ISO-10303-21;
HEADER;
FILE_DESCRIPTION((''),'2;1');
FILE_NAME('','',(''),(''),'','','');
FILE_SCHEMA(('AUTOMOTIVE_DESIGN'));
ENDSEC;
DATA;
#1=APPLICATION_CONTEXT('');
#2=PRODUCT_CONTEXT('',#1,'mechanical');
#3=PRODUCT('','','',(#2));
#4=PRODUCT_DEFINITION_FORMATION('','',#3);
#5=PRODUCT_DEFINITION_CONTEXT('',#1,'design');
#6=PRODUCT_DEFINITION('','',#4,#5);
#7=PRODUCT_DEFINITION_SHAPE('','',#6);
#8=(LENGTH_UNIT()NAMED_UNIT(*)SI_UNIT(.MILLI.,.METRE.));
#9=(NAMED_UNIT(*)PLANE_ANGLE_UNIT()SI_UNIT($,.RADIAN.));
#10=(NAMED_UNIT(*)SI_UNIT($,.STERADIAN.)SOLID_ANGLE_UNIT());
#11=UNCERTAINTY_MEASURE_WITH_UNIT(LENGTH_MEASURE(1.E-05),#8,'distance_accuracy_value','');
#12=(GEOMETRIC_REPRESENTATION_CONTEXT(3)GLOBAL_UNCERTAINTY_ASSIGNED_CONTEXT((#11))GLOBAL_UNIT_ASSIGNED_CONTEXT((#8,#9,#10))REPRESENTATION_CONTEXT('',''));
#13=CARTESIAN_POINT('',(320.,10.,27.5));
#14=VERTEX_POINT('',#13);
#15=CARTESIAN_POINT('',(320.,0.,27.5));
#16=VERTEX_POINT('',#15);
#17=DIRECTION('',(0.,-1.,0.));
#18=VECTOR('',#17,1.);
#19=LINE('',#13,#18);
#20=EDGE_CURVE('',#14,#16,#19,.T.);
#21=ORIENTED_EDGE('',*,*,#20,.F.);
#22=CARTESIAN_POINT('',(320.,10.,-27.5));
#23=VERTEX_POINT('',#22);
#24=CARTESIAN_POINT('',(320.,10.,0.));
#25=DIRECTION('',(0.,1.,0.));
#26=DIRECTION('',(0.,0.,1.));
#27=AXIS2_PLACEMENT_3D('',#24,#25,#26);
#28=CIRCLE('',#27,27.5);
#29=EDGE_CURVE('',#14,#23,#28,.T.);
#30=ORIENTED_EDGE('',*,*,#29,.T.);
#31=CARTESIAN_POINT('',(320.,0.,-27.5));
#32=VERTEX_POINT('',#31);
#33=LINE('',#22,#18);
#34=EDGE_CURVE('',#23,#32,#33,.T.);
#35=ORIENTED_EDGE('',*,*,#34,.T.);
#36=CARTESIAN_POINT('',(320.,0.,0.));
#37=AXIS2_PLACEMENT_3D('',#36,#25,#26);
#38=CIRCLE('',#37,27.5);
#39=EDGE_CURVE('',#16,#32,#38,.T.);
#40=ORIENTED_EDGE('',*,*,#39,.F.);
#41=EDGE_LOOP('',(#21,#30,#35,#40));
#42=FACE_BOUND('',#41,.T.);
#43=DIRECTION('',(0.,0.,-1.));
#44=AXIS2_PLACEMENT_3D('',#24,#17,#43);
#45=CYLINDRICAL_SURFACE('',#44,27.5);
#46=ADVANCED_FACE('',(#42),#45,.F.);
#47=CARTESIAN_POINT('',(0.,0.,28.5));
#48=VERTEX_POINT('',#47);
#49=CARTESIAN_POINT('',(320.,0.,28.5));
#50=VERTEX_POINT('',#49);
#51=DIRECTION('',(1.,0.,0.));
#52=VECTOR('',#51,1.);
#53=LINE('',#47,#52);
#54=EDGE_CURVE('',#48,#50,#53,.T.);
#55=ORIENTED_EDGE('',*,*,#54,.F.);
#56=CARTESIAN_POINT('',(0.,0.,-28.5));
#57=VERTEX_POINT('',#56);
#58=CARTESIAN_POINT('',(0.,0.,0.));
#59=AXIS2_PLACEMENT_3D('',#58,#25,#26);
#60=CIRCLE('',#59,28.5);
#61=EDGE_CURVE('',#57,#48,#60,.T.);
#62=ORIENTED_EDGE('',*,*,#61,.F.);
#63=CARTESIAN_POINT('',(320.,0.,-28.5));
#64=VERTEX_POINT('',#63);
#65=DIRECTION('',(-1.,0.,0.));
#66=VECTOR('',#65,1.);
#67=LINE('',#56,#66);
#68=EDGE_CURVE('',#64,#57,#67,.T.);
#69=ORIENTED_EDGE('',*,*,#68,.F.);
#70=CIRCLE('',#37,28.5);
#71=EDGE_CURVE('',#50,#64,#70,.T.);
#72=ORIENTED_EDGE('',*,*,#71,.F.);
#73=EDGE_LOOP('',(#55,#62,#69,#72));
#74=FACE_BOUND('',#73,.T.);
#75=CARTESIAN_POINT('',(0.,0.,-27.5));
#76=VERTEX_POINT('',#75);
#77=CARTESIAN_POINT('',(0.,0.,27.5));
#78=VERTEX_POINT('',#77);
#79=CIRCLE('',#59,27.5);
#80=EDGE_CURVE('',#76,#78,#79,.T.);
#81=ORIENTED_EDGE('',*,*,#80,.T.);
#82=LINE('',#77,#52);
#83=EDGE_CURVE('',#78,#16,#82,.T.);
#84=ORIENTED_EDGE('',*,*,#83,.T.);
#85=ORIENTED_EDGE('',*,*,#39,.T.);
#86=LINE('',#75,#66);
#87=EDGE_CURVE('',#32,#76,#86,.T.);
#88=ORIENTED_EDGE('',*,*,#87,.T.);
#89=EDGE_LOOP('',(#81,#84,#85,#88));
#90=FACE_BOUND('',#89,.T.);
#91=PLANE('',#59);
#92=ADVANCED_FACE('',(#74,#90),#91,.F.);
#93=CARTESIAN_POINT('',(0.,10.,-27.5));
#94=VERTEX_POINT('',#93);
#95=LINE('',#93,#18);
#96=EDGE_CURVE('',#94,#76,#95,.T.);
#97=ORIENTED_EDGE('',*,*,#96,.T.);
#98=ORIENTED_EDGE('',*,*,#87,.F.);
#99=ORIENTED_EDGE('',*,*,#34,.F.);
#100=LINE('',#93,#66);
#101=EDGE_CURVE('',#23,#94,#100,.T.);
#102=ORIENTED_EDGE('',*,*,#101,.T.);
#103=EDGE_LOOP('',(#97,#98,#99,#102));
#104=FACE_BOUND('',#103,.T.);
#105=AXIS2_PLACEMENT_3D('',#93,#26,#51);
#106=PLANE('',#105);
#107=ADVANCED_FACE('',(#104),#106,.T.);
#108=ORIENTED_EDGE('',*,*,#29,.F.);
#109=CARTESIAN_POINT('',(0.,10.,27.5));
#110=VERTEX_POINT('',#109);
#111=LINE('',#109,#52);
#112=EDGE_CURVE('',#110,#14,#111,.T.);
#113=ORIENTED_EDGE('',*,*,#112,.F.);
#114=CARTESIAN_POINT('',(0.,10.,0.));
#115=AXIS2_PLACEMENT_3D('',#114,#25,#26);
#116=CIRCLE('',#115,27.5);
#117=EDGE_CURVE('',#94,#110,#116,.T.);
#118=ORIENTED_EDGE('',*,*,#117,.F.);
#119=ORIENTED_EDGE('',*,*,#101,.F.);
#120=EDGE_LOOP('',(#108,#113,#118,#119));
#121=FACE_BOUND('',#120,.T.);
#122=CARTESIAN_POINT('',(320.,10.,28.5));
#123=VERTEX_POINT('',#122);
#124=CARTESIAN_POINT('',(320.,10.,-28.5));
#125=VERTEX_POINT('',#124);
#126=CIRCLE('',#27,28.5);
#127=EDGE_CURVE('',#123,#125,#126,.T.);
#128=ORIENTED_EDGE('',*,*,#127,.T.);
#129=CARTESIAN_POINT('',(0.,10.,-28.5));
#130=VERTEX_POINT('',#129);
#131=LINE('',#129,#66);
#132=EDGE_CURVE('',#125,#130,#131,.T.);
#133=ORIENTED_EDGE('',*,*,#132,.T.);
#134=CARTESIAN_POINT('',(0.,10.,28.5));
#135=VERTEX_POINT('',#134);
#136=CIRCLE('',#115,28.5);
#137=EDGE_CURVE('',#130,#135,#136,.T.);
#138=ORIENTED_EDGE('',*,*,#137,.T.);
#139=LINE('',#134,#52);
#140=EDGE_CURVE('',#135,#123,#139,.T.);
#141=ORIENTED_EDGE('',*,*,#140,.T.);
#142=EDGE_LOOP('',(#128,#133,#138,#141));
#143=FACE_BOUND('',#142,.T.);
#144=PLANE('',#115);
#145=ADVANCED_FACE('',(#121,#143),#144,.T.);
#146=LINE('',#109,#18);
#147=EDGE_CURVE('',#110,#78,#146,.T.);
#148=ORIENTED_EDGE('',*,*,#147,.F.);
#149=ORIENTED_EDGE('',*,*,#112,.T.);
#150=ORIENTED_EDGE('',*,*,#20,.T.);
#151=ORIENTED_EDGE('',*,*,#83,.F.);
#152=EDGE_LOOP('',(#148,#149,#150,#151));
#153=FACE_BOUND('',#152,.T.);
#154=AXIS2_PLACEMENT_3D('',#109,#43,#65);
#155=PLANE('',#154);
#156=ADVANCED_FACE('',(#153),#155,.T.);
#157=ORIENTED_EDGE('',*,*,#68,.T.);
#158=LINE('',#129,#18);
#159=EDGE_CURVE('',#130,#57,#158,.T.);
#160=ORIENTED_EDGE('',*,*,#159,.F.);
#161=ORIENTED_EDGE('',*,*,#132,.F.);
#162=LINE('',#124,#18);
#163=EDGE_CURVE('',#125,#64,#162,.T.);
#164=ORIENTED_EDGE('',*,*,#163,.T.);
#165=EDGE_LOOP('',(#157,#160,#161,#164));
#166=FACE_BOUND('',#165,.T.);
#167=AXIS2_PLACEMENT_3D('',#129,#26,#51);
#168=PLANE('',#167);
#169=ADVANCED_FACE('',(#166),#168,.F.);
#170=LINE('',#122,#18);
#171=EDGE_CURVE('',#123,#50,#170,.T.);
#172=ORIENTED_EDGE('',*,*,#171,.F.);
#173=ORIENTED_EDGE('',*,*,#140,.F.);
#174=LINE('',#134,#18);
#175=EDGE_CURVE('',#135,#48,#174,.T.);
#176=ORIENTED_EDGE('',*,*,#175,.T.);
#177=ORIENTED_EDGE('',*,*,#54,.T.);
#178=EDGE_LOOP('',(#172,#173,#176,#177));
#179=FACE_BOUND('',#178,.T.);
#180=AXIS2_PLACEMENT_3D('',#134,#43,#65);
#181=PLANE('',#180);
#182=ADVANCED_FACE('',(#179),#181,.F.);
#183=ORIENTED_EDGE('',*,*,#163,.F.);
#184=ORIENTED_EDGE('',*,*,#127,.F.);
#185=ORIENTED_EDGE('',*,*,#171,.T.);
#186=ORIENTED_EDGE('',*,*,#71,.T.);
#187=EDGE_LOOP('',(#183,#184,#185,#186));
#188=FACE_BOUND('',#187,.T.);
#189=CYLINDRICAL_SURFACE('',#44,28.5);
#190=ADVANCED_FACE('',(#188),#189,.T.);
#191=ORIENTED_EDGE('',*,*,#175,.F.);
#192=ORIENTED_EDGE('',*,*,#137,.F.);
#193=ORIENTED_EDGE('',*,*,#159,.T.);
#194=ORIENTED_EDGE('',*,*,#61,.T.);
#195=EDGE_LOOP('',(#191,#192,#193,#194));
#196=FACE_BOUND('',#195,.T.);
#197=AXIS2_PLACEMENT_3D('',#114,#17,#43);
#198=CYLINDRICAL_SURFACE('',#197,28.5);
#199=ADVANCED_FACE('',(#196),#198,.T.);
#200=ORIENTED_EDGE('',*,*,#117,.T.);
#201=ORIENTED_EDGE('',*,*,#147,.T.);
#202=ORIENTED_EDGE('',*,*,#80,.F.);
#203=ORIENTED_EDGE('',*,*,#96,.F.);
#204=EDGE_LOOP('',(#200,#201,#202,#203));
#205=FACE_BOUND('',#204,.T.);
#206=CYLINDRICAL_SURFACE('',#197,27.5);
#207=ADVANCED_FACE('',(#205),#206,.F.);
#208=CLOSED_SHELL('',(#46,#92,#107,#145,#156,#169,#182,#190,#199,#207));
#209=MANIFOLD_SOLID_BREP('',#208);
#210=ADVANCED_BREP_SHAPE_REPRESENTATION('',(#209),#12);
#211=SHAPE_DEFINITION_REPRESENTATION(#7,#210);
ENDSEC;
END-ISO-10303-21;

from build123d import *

# Parameters (mm, degrees)
EXTRUDE_1_DEPTH = 10


with BuildPart() as part:
    # 草图1 → 凸台-拉伸1 (new body)
    with BuildSketch(Plane(origin=(0, 0, 0), x_dir=(1, 0, 0), z_dir=(0, 1, 0))):
        with BuildLine():
            Line((0, 28.5), (320, 28.5))
            ThreePointArc((320, 28.5), (348.5, 0), (320, -28.5))
            Line((320, -28.5), (0, -28.5))
            ThreePointArc((0, -28.5), (-28.5, 0), (0, 28.5))
        make_face()
        with BuildLine():
            Line((0, 27.5), (320, 27.5))
            ThreePointArc((320, 27.5), (347.5, 0), (320, -27.5))
            Line((320, -27.5), (0, -27.5))
            ThreePointArc((0, -27.5), (-27.5, 0), (0, 27.5))
        make_face(mode=Mode.SUBTRACT)
    extrude(amount=EXTRUDE_1_DEPTH)


solid = part.part
